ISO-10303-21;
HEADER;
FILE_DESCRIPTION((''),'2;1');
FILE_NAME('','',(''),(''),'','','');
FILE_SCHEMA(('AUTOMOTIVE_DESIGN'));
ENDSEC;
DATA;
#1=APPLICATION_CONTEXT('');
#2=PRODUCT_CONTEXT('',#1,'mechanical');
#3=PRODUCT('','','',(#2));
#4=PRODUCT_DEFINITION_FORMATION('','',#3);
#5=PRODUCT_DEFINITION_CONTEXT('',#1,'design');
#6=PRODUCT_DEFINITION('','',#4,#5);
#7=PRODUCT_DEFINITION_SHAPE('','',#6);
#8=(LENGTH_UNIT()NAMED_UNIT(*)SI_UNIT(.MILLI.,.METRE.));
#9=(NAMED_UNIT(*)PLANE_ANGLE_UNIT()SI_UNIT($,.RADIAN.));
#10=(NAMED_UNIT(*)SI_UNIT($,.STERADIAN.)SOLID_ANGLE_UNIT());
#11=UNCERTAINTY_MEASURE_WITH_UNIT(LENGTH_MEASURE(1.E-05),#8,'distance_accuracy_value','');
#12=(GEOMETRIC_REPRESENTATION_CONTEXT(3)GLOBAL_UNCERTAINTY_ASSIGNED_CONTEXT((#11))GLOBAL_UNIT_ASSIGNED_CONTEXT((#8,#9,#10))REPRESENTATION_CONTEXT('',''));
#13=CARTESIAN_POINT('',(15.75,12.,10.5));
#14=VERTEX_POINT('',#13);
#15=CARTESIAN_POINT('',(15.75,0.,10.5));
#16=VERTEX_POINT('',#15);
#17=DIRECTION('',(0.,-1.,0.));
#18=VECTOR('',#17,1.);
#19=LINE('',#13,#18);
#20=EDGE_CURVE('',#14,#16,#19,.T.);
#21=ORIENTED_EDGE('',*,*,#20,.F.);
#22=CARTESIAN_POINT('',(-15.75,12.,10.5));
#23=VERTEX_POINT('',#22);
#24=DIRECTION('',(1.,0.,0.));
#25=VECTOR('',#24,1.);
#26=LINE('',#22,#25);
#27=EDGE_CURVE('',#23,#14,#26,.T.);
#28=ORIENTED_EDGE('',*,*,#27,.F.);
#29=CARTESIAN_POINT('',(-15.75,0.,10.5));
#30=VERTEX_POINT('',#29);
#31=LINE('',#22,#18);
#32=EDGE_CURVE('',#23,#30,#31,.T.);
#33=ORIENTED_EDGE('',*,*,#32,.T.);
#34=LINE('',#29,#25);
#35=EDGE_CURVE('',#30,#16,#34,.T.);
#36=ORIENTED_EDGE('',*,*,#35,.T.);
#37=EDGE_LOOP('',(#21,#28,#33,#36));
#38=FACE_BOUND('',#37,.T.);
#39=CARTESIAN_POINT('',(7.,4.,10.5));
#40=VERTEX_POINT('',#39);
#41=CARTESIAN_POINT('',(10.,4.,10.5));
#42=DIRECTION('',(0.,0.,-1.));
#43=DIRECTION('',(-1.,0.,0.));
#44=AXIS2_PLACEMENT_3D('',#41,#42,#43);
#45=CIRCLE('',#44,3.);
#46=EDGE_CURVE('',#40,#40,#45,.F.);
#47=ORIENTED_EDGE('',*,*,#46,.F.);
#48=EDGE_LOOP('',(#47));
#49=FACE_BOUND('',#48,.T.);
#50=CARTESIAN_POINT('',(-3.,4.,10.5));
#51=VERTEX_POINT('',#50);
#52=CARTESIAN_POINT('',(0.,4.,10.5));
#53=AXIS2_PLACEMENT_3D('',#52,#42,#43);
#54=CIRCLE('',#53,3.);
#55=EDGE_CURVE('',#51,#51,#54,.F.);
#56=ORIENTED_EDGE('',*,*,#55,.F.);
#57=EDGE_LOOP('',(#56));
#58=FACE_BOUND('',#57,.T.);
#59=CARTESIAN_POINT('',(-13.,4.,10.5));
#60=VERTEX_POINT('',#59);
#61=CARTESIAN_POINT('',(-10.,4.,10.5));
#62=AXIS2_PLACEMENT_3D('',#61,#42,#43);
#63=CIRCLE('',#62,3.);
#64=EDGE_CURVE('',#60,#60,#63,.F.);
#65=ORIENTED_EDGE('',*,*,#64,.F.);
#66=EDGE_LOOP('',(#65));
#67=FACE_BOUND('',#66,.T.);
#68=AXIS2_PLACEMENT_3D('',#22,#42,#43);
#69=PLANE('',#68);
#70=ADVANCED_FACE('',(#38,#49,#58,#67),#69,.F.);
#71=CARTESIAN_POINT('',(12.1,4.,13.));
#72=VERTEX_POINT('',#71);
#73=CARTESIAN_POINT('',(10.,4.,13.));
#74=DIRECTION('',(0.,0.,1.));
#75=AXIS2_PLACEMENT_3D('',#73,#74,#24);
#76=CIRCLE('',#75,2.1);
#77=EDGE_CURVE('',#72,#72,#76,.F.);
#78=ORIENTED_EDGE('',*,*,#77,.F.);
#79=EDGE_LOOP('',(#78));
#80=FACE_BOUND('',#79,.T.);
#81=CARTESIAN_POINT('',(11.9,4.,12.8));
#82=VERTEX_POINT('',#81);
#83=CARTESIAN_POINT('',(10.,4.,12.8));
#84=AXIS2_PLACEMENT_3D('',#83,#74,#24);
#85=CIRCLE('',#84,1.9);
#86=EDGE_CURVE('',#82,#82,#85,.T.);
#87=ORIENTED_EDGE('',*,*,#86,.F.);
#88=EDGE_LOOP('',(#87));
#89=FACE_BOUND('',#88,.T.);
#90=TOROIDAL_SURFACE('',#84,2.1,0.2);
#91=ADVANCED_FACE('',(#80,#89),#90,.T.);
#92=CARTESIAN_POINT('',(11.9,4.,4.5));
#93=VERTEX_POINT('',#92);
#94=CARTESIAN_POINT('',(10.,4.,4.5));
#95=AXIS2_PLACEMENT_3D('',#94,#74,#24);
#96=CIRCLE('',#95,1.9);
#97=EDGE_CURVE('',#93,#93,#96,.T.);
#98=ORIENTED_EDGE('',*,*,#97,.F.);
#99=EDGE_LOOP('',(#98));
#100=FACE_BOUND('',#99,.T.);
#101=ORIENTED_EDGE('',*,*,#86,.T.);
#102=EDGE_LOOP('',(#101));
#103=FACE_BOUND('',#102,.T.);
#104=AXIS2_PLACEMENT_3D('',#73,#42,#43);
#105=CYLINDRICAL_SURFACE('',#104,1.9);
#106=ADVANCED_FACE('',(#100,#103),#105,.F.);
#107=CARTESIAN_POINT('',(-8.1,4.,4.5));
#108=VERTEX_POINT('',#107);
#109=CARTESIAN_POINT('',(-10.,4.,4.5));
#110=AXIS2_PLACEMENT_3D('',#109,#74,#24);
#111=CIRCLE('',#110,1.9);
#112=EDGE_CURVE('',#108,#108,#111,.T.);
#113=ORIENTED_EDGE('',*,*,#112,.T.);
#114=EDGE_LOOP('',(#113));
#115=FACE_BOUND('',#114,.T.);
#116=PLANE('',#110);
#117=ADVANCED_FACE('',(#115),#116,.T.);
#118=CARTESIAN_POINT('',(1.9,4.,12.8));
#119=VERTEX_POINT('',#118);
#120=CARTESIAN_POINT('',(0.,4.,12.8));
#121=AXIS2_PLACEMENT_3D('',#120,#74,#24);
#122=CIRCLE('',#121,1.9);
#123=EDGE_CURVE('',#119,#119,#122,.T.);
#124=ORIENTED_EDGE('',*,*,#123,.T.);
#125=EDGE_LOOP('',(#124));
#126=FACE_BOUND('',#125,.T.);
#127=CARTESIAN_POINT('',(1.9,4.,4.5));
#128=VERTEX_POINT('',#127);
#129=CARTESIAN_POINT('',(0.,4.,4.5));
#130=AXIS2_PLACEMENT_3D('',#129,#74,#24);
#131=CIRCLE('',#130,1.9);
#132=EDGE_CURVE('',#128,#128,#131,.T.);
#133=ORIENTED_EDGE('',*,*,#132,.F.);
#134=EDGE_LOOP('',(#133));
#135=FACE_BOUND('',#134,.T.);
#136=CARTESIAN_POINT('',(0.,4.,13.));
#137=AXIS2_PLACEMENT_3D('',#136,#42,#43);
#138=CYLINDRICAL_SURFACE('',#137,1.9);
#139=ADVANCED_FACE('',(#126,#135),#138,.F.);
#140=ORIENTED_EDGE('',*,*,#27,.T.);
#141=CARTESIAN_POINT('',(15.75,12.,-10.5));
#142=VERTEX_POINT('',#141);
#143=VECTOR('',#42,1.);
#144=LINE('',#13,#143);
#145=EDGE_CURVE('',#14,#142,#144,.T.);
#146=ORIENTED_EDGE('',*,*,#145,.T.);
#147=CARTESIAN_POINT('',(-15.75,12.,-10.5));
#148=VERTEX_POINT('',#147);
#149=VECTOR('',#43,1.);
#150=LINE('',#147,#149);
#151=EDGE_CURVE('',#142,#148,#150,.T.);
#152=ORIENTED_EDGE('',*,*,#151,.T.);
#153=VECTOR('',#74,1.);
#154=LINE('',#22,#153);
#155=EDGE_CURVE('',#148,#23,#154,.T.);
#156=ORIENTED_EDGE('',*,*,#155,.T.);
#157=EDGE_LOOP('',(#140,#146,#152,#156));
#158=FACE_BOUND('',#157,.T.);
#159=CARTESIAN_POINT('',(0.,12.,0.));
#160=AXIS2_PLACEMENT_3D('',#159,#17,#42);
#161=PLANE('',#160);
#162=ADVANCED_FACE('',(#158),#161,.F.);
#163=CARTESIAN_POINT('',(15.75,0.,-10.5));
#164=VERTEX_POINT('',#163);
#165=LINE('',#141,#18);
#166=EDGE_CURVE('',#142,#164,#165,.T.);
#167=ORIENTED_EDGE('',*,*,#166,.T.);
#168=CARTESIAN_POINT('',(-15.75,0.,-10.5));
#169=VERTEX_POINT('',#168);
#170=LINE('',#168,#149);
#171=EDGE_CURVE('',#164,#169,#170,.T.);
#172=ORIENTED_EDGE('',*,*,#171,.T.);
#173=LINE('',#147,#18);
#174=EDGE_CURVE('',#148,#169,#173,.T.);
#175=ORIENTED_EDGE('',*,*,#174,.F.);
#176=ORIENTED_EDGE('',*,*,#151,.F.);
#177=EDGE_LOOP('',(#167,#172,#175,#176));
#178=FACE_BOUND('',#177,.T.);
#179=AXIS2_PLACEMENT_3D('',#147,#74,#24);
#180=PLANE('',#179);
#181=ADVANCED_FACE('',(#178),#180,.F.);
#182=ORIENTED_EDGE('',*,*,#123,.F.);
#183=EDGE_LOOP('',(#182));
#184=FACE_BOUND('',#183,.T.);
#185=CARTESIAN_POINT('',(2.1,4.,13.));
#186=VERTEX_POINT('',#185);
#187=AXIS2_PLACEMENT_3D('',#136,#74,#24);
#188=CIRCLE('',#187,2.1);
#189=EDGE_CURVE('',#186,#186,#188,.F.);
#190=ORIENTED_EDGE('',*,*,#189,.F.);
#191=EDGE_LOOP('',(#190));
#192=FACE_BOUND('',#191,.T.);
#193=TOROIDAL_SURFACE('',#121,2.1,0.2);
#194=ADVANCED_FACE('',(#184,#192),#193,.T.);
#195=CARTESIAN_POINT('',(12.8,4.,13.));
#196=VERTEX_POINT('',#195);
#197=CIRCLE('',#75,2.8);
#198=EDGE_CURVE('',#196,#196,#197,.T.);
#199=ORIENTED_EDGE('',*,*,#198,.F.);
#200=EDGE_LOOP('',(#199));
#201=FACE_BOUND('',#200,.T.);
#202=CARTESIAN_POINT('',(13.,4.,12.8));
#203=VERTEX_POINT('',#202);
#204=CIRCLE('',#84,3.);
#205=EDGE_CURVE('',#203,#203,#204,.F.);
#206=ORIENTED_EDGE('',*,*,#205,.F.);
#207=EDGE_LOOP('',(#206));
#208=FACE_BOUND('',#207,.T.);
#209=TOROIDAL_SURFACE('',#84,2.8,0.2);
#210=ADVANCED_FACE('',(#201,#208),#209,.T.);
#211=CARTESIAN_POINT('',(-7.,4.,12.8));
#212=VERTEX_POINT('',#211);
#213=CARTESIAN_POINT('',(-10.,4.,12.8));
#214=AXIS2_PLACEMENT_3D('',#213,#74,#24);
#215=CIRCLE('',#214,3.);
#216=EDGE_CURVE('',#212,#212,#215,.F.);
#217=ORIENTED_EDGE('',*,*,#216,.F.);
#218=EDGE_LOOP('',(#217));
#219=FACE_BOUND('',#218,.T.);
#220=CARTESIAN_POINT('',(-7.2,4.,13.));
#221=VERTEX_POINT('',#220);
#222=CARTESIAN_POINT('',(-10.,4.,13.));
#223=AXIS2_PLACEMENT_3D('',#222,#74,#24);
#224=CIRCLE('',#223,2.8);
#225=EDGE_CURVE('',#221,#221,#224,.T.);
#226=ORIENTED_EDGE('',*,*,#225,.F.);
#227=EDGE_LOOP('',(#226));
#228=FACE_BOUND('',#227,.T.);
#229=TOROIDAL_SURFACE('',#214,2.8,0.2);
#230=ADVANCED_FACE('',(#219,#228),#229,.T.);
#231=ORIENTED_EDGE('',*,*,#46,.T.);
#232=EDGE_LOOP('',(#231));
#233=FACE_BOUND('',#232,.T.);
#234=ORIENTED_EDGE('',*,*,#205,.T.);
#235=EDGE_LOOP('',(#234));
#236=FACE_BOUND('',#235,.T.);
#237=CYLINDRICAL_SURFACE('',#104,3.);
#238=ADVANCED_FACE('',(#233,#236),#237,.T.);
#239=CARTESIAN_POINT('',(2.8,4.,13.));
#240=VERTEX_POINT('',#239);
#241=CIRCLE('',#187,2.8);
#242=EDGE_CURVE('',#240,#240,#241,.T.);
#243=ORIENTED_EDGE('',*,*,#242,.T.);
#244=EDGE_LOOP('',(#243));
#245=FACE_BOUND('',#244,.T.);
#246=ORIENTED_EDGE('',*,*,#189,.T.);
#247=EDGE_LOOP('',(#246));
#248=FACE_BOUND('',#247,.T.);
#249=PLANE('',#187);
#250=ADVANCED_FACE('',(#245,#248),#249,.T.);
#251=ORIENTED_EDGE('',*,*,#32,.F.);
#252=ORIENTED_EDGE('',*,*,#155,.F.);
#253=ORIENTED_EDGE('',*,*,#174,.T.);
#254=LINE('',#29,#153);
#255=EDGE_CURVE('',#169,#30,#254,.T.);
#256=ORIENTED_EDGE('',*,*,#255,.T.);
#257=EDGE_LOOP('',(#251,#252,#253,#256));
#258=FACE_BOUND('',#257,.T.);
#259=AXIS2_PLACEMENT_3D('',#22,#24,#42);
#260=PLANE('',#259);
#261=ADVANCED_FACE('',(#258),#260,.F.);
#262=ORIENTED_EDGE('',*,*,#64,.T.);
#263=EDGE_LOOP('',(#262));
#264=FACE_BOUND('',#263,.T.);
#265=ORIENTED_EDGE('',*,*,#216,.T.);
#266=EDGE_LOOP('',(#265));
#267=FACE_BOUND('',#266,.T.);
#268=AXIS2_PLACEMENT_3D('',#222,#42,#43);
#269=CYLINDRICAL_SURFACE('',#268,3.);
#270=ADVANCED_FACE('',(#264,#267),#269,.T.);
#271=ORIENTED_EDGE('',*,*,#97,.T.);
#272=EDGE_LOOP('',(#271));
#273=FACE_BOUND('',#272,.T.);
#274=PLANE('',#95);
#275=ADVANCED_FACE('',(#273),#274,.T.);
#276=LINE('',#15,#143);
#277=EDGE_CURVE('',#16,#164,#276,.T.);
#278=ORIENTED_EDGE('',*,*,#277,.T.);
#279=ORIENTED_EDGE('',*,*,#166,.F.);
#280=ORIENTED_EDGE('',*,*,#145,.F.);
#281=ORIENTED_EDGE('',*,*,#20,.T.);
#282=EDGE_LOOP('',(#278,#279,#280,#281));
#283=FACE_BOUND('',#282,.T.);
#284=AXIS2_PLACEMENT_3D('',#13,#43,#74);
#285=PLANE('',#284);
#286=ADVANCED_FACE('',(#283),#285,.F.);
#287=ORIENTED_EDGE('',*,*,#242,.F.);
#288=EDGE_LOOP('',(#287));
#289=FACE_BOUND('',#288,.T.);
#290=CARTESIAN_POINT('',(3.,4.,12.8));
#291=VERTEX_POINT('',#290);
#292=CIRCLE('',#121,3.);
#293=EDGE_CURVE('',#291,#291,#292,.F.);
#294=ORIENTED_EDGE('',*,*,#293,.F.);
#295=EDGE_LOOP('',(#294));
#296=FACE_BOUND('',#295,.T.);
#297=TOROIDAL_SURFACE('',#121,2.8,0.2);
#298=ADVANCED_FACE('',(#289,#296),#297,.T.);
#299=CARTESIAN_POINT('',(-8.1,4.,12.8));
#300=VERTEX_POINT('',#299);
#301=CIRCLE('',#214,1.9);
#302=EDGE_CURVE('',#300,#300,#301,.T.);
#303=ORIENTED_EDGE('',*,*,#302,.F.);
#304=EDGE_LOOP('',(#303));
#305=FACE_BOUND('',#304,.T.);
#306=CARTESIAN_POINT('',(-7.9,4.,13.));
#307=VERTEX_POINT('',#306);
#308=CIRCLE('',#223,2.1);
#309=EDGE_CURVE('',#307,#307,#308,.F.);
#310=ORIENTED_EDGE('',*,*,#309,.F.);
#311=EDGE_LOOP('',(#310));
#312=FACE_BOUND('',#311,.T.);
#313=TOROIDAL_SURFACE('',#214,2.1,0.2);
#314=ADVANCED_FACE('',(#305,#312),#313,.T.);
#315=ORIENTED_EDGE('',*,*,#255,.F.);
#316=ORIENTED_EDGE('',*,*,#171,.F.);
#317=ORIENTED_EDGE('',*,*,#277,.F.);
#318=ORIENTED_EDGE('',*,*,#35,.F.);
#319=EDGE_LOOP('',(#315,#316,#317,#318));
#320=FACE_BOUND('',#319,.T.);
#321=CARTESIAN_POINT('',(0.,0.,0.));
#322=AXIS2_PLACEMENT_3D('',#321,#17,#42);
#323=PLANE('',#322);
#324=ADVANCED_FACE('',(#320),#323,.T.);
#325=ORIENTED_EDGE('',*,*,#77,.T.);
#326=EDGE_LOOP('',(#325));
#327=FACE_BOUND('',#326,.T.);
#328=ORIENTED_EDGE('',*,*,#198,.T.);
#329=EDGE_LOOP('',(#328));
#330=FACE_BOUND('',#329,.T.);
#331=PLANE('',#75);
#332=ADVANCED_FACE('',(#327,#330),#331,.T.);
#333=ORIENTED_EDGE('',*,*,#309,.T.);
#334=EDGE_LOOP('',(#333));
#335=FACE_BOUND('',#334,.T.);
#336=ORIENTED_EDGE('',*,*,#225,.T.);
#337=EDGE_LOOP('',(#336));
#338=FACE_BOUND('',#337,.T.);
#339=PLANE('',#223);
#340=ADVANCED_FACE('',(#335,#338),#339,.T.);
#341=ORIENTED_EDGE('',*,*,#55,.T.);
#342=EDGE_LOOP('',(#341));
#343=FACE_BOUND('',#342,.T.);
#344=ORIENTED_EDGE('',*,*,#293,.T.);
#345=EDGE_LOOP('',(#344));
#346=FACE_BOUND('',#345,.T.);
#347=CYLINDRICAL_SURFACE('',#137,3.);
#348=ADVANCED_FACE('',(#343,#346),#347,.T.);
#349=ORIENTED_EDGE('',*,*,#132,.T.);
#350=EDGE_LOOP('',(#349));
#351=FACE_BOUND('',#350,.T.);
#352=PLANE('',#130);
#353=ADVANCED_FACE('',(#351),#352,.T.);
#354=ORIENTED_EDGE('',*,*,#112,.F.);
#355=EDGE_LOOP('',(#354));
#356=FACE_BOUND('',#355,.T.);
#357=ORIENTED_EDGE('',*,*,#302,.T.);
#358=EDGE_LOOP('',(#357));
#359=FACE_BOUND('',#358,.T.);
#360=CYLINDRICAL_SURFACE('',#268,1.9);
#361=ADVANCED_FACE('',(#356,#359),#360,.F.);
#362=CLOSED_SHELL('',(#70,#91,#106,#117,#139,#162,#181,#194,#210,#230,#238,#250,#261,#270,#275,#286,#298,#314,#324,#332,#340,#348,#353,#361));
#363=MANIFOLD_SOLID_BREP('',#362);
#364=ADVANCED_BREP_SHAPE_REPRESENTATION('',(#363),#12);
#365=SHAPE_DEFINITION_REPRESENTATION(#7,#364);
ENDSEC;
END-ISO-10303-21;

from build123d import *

# Parameters (mm, degrees)
SKETCH1_W           = 31.5
SKETCH1_H           = 21
BOSS_EXTRUDE1_DEPTH = 12
SKETCH2_R           = 3
SKETCH2_R_2         = 1.9
BOSS_EXTRUDE2_DEPTH = 2.5
FILLET1_R           = 0.2
CUT_EXTRUDE1_START  = -6
SKETCH3_R           = 1.9
CUT_EXTRUDE1_DEPTH  = 6


with BuildPart() as part:
    # Sketch1 → Boss-Extrude1 (new body)
    with BuildSketch(Plane(origin=(0, 0, 0), x_dir=(1, 0, 0), z_dir=(0, 1, 0))):
        Rectangle(SKETCH1_W, SKETCH1_H)
    extrude(amount=BOSS_EXTRUDE1_DEPTH)

    # Sketch2 → Boss-Extrude2 (add)
    # profile 1 of 3: a face of its own
    with BuildSketch(Plane.XY.offset(10.5)):
        with Locations(Location((0, 4, 0), (0, 0, 180))):
            Circle(SKETCH2_R)
        with Locations((0, 4)):
            Circle(SKETCH2_R_2, mode=Mode.SUBTRACT)
    # profile 2 of 3: a face of its own
    with BuildSketch(Plane.XY.offset(10.5)):
        with Locations(Location((10, 4, 0), (0, 0, 180))):
            Circle(SKETCH2_R)
        with Locations((10, 4)):
            Circle(SKETCH2_R_2, mode=Mode.SUBTRACT)
    # profile 3 of 3: a face of its own
    with BuildSketch(Plane.XY.offset(10.5)):
        with Locations(Location((-10, 4, 0), (0, 0, 180))):
            Circle(SKETCH2_R)
        with Locations((-10, 4)):
            Circle(SKETCH2_R_2, mode=Mode.SUBTRACT)
    extrude(amount=BOSS_EXTRUDE2_DEPTH)

    # Fillet1
    fillet1_edges = [part.edges().sort_by_distance(p)[0] for p in [
        (3, 4, 13),
        (-1.9, 4, 13),
        (13, 4, 13),
        (8.1, 4, 13),
        (-7, 4, 13),
        (-11.9, 4, 13),
    ]]
    fillet(fillet1_edges, radius=FILLET1_R)

    # Sketch3 → Cut-Extrude1 (cut)
    with BuildSketch(Plane.XY.offset(10.5).offset(CUT_EXTRUDE1_START)):
        with Locations((-10, 4)):
            Circle(SKETCH3_R)
        with Locations((0, 4)):
            Circle(SKETCH3_R)
        with Locations((10, 4)):
            Circle(SKETCH3_R)
    extrude(amount=CUT_EXTRUDE1_DEPTH, mode=Mode.SUBTRACT)


solid = part.part
